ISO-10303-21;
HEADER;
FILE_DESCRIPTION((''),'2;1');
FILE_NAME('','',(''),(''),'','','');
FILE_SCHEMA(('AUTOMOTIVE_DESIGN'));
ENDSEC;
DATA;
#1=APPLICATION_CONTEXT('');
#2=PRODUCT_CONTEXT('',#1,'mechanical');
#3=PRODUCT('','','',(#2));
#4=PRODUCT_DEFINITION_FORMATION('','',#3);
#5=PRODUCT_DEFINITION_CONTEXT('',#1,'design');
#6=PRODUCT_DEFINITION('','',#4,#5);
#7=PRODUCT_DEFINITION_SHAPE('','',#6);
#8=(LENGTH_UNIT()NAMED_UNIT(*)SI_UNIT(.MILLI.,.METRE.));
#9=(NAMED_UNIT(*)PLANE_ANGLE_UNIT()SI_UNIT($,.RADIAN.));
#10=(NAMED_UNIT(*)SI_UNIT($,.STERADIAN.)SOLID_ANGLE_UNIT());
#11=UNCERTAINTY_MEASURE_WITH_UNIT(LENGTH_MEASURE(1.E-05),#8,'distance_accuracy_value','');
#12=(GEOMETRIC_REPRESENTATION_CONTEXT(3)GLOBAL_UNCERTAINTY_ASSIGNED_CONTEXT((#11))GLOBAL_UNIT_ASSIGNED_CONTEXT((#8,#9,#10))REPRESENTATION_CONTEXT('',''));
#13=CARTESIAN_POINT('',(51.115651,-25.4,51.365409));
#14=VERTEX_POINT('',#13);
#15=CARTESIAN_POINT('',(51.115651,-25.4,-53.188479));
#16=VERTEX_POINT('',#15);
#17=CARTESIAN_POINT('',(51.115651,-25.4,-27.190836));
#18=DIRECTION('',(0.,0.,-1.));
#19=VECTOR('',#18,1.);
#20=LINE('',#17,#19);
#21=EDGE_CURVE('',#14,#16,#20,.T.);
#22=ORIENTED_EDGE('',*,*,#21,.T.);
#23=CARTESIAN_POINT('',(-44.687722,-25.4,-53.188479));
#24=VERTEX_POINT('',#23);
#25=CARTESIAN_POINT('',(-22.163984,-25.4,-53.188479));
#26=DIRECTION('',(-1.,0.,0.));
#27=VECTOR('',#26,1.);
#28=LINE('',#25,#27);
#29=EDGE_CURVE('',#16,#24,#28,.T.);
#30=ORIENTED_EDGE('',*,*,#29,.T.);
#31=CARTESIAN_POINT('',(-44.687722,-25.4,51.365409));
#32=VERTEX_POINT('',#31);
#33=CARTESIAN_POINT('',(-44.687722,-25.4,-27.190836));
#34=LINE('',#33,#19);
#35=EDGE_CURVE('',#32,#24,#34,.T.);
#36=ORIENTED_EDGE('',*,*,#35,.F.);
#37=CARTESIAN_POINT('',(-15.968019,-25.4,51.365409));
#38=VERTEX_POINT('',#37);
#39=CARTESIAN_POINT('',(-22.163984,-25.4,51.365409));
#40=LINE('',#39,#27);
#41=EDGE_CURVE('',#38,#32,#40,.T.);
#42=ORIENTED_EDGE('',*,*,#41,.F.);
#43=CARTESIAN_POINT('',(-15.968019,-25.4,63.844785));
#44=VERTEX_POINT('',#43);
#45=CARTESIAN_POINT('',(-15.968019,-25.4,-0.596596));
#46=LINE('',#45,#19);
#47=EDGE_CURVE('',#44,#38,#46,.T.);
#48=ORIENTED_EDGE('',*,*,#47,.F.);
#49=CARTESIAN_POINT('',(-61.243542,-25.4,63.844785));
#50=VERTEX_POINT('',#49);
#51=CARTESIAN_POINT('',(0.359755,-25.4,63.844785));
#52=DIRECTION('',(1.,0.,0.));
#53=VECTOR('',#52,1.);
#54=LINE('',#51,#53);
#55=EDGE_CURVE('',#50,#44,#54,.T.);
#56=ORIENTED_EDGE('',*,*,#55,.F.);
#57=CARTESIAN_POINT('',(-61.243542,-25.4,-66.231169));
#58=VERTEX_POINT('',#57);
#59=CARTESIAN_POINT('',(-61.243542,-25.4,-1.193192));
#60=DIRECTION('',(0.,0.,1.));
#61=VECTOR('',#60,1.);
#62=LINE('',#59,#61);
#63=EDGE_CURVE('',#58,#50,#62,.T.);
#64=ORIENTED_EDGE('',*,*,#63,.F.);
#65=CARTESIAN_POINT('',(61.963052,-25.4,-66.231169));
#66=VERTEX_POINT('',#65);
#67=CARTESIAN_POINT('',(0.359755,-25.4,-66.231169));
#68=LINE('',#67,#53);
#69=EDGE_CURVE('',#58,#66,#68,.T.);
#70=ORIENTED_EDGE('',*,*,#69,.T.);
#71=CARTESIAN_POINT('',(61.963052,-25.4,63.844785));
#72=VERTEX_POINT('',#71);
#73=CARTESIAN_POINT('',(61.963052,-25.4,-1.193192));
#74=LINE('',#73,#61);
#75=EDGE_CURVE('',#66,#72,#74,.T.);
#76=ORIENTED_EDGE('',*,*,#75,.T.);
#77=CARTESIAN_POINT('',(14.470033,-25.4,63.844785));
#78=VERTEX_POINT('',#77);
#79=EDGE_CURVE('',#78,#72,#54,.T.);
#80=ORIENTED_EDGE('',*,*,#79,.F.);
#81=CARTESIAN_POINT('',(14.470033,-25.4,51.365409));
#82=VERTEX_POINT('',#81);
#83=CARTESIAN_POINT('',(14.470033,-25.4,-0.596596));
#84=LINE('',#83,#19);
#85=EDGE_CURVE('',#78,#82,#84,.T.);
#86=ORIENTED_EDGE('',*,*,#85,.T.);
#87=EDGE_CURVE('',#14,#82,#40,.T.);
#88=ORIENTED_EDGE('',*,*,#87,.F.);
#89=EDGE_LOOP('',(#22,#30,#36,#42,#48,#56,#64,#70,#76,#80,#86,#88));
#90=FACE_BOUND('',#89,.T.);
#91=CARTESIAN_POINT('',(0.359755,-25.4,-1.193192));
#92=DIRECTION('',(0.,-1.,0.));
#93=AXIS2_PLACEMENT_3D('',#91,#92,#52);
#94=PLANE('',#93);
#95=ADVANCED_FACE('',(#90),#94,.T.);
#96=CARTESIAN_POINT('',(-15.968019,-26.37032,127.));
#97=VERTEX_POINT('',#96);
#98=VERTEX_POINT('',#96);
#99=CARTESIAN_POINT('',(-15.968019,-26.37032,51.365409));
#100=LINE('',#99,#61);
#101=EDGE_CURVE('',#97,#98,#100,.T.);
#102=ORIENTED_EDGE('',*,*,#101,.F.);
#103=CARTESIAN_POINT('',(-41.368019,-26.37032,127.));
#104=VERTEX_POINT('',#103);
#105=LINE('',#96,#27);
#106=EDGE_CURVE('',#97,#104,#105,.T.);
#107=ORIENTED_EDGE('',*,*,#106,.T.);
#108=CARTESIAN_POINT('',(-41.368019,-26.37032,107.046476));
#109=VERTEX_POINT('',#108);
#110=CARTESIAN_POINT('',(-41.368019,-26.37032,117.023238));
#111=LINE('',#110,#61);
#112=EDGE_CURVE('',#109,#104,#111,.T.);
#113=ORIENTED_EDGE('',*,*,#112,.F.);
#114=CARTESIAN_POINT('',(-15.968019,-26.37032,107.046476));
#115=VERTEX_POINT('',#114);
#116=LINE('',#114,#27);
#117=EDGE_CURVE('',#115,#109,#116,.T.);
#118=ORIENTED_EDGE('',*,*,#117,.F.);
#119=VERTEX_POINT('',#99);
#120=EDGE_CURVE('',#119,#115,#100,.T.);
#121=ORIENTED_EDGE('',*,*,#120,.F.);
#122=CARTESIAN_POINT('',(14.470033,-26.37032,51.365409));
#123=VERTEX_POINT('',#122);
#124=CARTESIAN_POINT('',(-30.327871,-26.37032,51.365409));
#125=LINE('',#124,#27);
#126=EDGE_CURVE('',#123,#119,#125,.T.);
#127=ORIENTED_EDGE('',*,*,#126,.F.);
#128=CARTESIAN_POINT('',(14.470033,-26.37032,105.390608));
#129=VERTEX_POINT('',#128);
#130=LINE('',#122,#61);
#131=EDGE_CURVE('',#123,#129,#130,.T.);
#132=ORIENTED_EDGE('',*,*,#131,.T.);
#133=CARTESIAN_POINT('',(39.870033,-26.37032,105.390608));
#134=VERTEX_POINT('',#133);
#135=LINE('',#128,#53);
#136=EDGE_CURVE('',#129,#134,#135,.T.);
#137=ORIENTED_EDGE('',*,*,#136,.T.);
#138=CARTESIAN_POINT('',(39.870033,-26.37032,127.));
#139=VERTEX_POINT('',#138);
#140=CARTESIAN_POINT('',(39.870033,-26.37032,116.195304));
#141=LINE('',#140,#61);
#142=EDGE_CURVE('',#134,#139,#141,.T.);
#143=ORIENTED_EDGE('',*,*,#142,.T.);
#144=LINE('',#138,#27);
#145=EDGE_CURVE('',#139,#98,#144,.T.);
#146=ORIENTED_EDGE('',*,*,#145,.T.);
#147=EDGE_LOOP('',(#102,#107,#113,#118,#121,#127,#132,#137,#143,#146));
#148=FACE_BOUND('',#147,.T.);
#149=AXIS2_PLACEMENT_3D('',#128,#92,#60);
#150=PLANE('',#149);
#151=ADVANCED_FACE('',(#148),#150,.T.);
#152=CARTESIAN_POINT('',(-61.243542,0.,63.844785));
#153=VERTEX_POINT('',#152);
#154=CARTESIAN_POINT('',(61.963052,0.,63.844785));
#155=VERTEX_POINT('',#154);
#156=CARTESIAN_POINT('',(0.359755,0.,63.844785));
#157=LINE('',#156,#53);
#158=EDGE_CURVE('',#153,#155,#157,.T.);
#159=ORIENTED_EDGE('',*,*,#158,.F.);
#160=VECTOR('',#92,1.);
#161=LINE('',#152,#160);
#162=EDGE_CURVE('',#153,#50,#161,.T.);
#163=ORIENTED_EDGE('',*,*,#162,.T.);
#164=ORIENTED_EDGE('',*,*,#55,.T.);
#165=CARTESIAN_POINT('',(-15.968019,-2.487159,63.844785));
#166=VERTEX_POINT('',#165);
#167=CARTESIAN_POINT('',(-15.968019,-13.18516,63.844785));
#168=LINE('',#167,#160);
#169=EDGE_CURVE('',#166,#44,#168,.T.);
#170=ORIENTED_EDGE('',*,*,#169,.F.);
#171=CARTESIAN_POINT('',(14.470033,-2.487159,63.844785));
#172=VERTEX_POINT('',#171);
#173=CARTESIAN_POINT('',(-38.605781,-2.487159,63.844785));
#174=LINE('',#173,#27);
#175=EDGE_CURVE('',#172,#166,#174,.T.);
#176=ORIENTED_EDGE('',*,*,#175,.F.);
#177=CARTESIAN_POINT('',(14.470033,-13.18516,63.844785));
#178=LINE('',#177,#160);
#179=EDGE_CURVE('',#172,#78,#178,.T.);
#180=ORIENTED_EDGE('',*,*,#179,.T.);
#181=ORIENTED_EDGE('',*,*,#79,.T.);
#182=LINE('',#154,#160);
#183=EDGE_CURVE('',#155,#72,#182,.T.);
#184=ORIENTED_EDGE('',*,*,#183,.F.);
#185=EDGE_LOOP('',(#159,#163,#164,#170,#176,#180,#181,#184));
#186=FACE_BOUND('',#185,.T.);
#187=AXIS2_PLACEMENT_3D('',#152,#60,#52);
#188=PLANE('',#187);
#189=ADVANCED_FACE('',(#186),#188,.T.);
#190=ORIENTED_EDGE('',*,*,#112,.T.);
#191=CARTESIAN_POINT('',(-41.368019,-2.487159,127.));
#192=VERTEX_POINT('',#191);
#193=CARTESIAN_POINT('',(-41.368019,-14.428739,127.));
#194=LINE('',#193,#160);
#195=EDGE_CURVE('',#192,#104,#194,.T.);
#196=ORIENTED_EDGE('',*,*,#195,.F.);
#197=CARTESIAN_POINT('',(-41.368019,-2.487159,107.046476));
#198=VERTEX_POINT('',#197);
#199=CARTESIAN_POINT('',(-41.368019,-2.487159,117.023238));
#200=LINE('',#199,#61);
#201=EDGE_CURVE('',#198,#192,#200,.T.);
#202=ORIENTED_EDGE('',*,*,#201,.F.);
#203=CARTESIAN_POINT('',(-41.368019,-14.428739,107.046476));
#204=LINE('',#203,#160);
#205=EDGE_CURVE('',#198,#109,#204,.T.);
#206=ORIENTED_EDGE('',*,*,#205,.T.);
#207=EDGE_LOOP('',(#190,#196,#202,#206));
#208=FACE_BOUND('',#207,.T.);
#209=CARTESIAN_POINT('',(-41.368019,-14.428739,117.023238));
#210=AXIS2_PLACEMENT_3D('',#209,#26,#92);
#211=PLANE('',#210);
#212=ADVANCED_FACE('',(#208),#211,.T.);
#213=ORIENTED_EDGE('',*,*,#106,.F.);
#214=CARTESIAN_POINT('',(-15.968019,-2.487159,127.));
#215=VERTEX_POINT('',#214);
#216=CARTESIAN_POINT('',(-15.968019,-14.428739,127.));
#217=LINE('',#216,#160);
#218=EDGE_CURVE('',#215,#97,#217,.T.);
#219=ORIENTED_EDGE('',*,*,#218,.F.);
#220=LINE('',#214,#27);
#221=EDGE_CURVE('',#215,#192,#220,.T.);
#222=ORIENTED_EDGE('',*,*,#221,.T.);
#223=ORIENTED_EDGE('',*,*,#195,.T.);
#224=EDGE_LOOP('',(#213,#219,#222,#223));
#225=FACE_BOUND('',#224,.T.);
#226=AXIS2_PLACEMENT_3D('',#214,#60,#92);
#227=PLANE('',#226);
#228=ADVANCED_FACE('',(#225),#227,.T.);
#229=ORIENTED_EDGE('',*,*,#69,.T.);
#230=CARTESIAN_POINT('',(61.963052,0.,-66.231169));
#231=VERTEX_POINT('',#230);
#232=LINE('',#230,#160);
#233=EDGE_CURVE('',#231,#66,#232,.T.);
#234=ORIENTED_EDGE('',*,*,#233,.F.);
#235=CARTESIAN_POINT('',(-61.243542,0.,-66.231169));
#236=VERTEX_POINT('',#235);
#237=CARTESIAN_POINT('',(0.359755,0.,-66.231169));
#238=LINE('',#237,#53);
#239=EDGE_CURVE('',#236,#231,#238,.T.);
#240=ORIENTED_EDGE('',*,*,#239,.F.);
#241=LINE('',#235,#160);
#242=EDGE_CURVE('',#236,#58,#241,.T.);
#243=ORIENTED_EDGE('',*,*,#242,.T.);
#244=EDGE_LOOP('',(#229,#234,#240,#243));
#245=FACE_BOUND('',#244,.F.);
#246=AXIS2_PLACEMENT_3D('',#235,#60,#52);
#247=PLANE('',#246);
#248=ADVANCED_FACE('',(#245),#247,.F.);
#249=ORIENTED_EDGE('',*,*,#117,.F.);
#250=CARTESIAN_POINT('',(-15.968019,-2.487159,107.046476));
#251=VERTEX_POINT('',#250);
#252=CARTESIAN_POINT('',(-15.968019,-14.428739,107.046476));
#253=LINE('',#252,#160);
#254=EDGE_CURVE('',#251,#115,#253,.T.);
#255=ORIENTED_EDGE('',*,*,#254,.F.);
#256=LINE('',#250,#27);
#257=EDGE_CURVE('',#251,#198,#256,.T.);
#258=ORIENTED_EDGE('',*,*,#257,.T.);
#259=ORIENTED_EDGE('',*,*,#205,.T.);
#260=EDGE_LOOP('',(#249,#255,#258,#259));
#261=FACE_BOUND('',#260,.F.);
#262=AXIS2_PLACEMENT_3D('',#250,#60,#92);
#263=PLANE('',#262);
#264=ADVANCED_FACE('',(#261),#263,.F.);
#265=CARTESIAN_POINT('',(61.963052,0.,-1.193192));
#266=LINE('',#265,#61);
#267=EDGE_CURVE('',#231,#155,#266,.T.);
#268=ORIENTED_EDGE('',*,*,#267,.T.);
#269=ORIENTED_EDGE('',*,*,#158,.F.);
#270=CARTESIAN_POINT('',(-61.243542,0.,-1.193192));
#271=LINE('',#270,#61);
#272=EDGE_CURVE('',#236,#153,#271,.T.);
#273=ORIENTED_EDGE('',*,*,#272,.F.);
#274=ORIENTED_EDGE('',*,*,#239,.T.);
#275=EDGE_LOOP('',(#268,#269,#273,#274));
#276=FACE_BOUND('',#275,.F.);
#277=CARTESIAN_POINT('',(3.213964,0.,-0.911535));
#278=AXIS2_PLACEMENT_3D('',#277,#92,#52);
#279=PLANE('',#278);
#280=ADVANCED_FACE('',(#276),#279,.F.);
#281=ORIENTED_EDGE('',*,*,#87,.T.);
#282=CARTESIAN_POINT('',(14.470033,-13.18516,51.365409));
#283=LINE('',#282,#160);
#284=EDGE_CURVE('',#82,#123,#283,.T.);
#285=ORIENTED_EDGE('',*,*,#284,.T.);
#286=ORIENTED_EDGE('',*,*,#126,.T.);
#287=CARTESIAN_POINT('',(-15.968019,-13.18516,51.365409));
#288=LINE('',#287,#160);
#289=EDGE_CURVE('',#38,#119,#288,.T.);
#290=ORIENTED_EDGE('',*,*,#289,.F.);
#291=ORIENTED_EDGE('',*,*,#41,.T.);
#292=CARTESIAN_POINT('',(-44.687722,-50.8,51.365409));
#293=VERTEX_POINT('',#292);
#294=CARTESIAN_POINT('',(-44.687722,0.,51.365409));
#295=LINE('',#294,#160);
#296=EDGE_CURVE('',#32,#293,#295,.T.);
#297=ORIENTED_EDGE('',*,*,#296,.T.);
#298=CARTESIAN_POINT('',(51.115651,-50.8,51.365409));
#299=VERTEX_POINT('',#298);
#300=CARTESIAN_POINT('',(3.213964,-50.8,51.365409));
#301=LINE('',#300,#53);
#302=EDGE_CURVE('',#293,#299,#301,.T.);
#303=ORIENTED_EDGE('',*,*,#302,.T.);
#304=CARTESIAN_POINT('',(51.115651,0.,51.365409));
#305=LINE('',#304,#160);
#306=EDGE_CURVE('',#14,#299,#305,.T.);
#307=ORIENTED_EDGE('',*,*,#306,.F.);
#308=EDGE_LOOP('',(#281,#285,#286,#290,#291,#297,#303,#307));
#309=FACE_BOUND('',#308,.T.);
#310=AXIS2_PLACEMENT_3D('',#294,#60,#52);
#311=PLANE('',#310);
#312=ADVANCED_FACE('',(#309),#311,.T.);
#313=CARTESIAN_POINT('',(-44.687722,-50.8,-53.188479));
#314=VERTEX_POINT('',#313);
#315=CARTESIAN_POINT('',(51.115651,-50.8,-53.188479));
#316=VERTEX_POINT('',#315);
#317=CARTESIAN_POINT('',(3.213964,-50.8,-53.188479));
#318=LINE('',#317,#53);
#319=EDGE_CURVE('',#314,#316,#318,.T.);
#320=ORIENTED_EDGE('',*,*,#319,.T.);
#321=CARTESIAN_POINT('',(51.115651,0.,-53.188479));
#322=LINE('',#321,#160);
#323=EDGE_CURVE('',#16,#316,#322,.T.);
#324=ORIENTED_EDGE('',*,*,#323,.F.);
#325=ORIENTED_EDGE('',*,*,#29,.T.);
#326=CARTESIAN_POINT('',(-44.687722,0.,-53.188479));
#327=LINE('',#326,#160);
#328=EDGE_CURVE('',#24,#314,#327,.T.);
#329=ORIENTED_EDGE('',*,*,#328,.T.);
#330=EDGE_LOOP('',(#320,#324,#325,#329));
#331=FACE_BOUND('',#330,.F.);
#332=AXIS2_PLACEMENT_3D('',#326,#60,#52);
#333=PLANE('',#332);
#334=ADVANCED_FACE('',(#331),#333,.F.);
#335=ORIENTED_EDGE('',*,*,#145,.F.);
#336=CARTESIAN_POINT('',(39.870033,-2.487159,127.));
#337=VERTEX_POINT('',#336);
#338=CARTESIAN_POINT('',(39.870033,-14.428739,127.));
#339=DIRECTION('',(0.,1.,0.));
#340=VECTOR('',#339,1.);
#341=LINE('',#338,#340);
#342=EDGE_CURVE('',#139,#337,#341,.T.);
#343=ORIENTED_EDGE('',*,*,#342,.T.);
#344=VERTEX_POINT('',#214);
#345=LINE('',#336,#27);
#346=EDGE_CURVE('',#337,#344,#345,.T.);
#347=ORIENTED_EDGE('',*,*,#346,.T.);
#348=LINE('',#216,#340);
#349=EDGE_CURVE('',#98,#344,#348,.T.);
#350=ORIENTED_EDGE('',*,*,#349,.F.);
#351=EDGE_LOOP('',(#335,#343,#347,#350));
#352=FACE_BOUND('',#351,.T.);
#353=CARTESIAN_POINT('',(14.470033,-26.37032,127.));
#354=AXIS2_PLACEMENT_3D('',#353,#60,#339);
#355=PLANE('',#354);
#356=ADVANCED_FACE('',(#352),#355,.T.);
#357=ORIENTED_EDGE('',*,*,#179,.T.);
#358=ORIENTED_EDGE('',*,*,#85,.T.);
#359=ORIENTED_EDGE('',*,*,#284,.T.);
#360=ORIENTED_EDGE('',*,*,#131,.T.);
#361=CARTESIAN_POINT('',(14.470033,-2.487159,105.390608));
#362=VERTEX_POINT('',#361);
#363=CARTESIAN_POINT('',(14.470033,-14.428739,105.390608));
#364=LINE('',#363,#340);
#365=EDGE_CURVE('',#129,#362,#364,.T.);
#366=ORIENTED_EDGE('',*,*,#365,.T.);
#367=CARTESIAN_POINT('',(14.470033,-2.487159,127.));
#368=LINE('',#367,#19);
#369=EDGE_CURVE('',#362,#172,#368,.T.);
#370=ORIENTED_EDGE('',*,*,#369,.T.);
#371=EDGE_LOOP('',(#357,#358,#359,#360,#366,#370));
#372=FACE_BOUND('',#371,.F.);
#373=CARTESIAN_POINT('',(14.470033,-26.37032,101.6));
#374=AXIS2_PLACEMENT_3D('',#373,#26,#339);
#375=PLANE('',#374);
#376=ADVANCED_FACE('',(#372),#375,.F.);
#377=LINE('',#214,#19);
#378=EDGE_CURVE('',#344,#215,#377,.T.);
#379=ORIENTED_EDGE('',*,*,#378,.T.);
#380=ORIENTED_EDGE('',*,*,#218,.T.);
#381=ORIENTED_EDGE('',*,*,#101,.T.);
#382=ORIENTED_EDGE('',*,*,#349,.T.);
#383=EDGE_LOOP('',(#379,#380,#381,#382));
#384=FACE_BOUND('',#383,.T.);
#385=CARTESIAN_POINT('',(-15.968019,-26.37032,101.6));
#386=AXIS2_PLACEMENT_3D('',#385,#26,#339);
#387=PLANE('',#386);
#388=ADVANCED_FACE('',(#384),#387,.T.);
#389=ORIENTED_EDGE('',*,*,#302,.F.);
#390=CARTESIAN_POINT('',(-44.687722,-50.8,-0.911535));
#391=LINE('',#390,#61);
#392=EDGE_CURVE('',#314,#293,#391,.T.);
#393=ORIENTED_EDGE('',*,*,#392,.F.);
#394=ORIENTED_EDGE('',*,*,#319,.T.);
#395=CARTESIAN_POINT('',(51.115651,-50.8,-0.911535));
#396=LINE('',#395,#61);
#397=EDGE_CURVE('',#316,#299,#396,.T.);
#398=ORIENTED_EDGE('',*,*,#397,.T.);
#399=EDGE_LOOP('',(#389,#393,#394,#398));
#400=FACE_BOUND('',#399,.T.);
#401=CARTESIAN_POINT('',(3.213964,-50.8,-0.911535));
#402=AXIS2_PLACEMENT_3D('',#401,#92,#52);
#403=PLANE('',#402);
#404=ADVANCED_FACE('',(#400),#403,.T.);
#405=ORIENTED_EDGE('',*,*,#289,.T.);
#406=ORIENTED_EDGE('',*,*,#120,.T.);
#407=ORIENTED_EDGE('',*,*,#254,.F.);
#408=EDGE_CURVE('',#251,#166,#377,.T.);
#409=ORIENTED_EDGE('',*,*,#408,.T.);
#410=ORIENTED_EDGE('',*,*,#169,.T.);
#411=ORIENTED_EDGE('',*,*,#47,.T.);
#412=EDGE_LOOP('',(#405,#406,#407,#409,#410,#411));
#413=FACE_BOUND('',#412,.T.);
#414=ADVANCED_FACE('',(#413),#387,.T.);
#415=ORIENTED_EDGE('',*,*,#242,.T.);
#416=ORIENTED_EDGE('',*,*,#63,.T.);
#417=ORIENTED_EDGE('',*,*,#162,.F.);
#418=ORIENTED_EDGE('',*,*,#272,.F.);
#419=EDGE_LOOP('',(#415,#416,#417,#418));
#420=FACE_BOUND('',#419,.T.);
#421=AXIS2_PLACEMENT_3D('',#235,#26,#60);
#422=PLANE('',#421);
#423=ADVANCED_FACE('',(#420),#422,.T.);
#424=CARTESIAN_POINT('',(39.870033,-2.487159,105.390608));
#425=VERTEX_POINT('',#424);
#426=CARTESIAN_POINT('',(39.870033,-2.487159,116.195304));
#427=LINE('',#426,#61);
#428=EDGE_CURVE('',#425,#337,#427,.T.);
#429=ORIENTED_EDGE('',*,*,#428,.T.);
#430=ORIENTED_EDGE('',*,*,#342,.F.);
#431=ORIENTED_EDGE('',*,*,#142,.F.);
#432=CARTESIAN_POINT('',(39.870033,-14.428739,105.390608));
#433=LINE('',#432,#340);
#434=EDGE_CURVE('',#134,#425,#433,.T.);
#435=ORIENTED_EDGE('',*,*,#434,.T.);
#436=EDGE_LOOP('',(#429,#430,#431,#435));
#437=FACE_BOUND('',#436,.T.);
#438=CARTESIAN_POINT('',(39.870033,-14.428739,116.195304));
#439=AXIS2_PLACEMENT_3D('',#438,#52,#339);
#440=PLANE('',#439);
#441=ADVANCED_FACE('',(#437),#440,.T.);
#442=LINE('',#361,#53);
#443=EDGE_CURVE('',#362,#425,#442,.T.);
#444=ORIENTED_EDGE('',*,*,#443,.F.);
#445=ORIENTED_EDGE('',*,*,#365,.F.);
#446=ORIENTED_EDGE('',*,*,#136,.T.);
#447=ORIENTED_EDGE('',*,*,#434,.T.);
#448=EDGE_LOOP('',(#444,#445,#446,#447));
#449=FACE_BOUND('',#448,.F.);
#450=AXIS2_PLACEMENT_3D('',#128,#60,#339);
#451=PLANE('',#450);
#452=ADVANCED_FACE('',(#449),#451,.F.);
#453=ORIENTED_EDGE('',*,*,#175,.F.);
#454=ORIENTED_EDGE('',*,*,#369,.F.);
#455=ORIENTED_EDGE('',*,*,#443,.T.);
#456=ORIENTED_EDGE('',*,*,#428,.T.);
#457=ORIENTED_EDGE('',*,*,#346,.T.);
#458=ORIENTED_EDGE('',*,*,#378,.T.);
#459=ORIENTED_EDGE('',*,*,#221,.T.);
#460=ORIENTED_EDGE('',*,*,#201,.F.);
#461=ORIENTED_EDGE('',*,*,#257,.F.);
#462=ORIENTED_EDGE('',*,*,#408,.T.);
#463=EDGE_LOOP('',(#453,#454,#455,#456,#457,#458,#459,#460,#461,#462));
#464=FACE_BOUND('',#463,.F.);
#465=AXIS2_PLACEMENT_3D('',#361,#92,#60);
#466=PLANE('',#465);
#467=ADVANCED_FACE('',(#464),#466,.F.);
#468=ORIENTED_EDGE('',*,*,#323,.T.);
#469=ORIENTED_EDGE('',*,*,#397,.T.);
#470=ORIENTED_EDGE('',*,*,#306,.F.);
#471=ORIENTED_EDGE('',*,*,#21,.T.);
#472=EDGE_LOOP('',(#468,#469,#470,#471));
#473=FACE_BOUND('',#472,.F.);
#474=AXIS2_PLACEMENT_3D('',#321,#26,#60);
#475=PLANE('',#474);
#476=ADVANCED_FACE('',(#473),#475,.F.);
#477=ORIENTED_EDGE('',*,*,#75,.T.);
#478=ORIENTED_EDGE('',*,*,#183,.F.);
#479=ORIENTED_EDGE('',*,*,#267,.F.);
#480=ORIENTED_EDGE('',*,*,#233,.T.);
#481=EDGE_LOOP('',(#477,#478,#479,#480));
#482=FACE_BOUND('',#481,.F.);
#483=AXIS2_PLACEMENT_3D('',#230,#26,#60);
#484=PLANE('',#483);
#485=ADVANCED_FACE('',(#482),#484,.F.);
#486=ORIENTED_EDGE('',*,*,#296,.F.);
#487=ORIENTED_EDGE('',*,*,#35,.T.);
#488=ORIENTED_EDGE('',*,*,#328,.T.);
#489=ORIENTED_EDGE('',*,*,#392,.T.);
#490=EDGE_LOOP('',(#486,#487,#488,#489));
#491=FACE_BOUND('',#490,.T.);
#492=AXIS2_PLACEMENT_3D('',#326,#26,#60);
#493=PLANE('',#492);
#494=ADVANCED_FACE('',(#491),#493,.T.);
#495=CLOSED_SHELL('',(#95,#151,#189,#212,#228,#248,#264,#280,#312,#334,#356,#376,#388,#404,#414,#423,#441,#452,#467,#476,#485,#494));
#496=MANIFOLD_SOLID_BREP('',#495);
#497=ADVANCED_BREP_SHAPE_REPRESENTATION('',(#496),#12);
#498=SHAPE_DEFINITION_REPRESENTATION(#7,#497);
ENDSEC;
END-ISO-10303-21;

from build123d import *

# Parameters (mm, degrees)
F0_W      = 123.206594
F0_H      = 130.075954
F1_DEPTH  = 25.4
F2_W      = 95.803373
F2_H      = 104.553889
F3_DEPTH  = 50.8
F4_W      = 30.438052
F4_H      = 23.883161
F5_DEPTH  = 101.6
F6_W      = 30.438052
F6_H      = 23.883161
F7_DEPTH  = 25.4
F8_W      = 23.883161
F8_H      = 19.953523
F9_DEPTH  = 25.4
F10_W     = 23.883161
F10_H     = 21.609392
F11_DEPTH = 25.4


with BuildPart() as f1:
    # F0 (on Front) → F1 (new body)
    with BuildSketch(Plane.XZ):
        with Locations((0.359755, -1.193192)):
            Rectangle(F0_W, F0_H)
    extrude(amount=F1_DEPTH)

    # F2 (on Front) → F3 (join)
    with BuildSketch(Plane.XZ):
        with Locations((3.213964, -0.911535)):
            Rectangle(F2_W, F2_H)
    extrude(amount=F3_DEPTH)

    # F4 (on Top) → F5 (join)
    with BuildSketch(Plane.XY):
        with Locations((-0.748993, -14.428739)):
            Rectangle(F4_W, F4_H)
    extrude(amount=F5_DEPTH)

    # F6 (on face) → F7 (join)
    with BuildSketch(Plane.XY.offset(101.6)):
        with Locations((-0.748993, -14.428739)):
            Rectangle(F6_W, F6_H)
    extrude(amount=F7_DEPTH)

    # F8 (on face) → F9 (join)
    with BuildSketch(Plane(origin=(-15.968019, 0, 0), x_dir=(0, -1, 0), z_dir=(-1, 0, 0))):
        with Locations((14.428739, 117.023238)):
            Rectangle(F8_W, F8_H)
    extrude(amount=F9_DEPTH)

    # F10 (on face) → F11 (join)
    with BuildSketch(Plane.YZ.offset(14.470033)):
        with Locations((-14.428739, 116.195304)):
            Rectangle(F10_W, F10_H)
    extrude(amount=F11_DEPTH)


solid = f1.part
